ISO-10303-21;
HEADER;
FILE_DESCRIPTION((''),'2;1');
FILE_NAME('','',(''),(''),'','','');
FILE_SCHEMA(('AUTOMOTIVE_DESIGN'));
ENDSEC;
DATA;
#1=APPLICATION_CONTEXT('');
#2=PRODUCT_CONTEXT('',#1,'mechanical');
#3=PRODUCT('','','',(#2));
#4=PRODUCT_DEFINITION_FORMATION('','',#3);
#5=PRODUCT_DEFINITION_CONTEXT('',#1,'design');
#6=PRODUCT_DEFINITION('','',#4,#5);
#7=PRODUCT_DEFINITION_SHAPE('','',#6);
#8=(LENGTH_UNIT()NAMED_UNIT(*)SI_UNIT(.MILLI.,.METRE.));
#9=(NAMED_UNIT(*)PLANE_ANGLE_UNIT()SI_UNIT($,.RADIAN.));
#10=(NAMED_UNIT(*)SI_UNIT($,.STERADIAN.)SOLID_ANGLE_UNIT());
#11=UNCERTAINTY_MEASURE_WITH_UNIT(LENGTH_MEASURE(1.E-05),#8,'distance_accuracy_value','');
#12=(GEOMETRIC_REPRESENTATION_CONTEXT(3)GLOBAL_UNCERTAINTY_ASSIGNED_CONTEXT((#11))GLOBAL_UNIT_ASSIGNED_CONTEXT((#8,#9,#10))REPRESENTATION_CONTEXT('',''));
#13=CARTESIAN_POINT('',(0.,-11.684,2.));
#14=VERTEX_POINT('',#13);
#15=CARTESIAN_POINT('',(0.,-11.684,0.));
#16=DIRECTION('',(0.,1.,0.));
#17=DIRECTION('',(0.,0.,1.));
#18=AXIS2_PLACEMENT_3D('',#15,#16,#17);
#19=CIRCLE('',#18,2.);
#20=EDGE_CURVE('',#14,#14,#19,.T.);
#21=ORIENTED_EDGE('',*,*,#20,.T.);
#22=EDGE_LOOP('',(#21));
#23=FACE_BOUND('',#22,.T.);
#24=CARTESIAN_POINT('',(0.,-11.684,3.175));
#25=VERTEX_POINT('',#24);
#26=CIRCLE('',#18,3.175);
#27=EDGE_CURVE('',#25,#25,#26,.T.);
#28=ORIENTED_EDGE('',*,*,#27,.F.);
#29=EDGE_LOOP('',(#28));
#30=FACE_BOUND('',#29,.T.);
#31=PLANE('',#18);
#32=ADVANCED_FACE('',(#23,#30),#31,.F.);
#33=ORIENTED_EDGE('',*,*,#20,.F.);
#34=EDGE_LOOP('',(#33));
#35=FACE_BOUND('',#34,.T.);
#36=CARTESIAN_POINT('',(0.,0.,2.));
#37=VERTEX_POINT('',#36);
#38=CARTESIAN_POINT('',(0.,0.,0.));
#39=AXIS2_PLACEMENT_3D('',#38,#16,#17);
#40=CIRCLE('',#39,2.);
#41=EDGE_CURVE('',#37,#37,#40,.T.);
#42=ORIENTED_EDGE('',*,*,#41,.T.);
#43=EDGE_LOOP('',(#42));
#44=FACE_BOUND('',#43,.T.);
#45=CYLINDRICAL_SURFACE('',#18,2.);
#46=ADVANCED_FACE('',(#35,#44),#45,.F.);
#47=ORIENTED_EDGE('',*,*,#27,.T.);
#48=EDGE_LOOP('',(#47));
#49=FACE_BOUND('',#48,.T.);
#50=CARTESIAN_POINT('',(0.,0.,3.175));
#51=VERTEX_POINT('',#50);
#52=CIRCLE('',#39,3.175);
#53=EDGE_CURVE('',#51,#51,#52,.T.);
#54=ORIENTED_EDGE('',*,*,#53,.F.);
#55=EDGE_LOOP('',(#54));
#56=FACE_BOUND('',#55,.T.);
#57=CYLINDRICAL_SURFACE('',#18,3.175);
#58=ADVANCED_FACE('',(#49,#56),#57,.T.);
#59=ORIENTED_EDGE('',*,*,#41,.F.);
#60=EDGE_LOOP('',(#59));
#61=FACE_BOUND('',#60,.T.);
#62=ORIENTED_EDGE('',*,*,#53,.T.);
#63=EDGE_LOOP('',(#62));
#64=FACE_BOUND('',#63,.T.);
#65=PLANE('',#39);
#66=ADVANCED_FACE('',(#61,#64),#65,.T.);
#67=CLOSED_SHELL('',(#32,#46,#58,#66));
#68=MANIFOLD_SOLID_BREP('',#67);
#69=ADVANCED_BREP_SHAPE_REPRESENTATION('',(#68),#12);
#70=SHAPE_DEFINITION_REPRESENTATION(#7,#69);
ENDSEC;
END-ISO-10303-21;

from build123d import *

# Parameters (mm, degrees)
SKETCH1_R           = 3.175
SKETCH1_R_2         = 2
BOSS_EXTRUDE1_DEPTH = 11.684


with BuildPart() as part:
    # Sketch1 → Boss-Extrude1 (new body)
    with BuildSketch(Plane(origin=(0, 0, 0), x_dir=(1, 0, 0), z_dir=(0, 1, 0))):
        with Locations(Location((0, 0, 0), (0, 0, 270))):
            Circle(SKETCH1_R)
        with Locations(Location((0, 0, 0), (0, 0, 270))):
            Circle(SKETCH1_R_2, mode=Mode.SUBTRACT)
    extrude(amount=-BOSS_EXTRUDE1_DEPTH)


solid = part.part
